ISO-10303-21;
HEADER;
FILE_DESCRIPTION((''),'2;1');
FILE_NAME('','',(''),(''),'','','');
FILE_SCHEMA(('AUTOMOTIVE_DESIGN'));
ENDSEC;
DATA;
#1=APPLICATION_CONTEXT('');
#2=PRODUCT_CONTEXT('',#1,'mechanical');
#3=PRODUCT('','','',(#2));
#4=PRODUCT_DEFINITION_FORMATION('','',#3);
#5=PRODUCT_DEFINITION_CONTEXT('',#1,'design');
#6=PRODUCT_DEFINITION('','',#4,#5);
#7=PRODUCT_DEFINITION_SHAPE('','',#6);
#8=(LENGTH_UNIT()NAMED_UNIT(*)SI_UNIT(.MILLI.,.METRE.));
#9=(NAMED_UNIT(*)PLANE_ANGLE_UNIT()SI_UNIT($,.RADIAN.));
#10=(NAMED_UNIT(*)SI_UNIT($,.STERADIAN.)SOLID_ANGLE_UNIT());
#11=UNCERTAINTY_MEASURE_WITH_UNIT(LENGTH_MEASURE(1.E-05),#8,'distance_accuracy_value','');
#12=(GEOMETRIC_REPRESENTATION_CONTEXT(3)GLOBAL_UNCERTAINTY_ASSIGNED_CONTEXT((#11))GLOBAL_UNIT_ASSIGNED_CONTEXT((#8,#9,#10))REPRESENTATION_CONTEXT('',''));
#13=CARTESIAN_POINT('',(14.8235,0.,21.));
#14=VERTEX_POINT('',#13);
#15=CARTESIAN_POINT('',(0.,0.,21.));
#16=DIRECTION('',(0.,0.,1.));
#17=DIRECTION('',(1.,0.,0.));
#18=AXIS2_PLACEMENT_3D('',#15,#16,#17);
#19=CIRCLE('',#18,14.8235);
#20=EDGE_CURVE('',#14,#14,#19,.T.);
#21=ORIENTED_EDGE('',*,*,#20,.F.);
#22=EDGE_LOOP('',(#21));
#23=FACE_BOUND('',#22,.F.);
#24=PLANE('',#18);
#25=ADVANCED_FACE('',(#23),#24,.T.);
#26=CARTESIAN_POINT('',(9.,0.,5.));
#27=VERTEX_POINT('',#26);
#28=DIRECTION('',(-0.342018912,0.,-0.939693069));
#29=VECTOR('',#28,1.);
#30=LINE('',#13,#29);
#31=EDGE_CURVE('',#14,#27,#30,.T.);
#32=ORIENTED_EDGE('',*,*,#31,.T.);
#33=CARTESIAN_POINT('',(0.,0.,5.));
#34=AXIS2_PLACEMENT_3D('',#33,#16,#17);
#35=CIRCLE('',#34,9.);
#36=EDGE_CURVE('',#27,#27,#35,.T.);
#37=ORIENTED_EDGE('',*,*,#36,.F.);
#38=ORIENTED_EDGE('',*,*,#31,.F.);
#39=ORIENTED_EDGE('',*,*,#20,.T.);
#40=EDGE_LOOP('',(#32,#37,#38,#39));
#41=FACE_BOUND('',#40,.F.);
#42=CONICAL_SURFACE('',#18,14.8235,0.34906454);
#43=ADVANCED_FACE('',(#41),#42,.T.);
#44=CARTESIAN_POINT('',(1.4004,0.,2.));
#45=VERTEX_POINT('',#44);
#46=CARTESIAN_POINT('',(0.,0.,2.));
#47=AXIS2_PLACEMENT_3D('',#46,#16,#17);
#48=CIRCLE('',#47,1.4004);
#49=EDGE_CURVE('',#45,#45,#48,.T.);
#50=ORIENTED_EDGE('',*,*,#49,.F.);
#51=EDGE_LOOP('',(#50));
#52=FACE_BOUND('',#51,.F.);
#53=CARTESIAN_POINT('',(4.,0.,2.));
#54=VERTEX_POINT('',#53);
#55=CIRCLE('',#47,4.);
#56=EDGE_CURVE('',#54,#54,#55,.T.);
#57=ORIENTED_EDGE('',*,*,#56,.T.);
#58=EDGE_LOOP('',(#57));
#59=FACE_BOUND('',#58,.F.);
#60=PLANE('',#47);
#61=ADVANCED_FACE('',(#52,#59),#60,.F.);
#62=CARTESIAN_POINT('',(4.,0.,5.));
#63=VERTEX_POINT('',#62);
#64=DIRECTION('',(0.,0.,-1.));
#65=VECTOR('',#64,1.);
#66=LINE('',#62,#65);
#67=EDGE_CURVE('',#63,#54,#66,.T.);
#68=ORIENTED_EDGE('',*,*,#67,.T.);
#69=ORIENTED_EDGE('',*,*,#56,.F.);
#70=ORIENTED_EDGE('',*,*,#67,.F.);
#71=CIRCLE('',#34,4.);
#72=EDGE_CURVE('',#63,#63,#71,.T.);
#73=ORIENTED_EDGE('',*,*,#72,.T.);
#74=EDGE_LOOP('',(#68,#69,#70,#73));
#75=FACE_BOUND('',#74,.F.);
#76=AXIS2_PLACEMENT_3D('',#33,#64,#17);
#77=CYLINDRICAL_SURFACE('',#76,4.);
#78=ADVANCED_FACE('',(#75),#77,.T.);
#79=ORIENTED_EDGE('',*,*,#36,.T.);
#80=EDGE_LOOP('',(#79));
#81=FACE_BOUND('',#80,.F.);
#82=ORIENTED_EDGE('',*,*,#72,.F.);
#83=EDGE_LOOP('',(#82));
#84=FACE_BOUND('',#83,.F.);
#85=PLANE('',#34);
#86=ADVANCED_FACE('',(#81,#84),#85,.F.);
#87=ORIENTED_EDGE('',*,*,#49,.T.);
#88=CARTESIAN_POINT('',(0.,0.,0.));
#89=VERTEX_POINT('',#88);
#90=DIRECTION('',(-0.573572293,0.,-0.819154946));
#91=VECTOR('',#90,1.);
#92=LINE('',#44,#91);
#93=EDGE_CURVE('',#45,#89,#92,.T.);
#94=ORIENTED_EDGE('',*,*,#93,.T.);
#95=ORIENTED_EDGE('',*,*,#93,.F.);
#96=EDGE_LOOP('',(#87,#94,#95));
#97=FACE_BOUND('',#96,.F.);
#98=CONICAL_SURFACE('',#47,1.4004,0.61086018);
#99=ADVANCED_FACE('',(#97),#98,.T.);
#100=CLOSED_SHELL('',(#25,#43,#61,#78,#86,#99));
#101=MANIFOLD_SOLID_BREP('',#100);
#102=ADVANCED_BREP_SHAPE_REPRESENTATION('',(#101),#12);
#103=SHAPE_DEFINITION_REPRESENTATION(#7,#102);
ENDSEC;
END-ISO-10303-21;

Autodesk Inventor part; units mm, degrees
ref_plane "YZ Plane" through (0, 0, 0) normal (1, 0, 0) x (0, 1, 0)
ref_plane "XZ Plane" through (0, 0, 0) normal (0, 1, 0) x (-1, 0, 0)
ref_plane "XY Plane" through (0, 0, 0) normal (0, 0, 1) x (1, 0, 0)
sketch "Sketch2" plane through (0, 0, 0) normal (0, 1, 0) x (-1, 0, 0)
  line L0 (0, 0) -> (0, 21)
  line L1 (0, 21) -> (-14.8235, 21)
  line L2 (-14.8235, 21) -> (-9, 5)
  line L3 (-9, 5) -> (-4, 5)
  line L4 (-4, 5) -> (-4, 2)
  line L5 (-4, 2) -> (-1.4004, 2)
  line L6 (-1.4004, 2) -> (0, 0)
  dimension "d21" = 21
  dimension "d22" = 2
  dimension "d23" = 3
  dimension "d24" = 4
  dimension "d25" = 70
  dimension "d28" = 9
  dimension "d30" = 125
revolve "Revolution2" add sketch "Sketch2" angle 360 about axis through (0, 0, 0) along (0, 0, 1)
properties part number "extruderHead"
